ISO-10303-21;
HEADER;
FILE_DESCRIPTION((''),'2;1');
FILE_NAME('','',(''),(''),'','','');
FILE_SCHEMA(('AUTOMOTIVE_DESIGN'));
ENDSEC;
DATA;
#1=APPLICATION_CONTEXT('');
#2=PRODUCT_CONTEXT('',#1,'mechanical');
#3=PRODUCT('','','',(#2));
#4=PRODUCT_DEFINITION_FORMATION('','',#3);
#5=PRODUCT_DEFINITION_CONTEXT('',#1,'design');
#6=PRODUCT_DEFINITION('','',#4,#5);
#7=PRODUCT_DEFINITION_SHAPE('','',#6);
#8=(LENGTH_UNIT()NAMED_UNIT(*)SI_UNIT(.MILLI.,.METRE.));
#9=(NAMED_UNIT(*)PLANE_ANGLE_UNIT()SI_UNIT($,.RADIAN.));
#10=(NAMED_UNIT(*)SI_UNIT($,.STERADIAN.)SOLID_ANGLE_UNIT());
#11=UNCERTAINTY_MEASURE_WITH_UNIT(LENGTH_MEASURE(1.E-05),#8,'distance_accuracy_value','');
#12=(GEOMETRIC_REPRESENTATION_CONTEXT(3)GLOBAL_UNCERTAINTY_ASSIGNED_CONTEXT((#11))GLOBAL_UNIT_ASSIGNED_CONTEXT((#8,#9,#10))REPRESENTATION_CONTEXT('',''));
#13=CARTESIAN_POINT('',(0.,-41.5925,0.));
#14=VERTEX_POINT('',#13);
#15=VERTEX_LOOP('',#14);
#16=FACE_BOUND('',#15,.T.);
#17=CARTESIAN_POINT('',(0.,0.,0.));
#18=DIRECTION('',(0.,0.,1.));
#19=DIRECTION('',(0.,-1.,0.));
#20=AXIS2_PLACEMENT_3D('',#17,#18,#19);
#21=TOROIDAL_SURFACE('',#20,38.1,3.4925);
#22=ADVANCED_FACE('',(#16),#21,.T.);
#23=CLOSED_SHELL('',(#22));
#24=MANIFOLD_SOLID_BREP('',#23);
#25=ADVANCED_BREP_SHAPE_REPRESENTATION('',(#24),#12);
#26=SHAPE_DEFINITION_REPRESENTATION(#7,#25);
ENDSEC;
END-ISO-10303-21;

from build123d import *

# Parameters (mm, degrees)
SKETCH2_R = 3.4925


with BuildPart() as part:
    # Sketch2 → Revolve1 (revolve)
    with BuildSketch(Plane(origin=(0, 0, 0), x_dir=(0, 0, -1), z_dir=(1, 0, 0)), mode=Mode.PRIVATE) as revolve1_sk:
        with Locations((0, 38.1)):
            Circle(SKETCH2_R)
    revolve(revolve1_sk.sketch.rotate(Axis((0, 0, 34.6075), (0, 0, -1)), 180), axis=Axis((0, 0, 34.6075), (0, 0, -1)))


solid = part.part
